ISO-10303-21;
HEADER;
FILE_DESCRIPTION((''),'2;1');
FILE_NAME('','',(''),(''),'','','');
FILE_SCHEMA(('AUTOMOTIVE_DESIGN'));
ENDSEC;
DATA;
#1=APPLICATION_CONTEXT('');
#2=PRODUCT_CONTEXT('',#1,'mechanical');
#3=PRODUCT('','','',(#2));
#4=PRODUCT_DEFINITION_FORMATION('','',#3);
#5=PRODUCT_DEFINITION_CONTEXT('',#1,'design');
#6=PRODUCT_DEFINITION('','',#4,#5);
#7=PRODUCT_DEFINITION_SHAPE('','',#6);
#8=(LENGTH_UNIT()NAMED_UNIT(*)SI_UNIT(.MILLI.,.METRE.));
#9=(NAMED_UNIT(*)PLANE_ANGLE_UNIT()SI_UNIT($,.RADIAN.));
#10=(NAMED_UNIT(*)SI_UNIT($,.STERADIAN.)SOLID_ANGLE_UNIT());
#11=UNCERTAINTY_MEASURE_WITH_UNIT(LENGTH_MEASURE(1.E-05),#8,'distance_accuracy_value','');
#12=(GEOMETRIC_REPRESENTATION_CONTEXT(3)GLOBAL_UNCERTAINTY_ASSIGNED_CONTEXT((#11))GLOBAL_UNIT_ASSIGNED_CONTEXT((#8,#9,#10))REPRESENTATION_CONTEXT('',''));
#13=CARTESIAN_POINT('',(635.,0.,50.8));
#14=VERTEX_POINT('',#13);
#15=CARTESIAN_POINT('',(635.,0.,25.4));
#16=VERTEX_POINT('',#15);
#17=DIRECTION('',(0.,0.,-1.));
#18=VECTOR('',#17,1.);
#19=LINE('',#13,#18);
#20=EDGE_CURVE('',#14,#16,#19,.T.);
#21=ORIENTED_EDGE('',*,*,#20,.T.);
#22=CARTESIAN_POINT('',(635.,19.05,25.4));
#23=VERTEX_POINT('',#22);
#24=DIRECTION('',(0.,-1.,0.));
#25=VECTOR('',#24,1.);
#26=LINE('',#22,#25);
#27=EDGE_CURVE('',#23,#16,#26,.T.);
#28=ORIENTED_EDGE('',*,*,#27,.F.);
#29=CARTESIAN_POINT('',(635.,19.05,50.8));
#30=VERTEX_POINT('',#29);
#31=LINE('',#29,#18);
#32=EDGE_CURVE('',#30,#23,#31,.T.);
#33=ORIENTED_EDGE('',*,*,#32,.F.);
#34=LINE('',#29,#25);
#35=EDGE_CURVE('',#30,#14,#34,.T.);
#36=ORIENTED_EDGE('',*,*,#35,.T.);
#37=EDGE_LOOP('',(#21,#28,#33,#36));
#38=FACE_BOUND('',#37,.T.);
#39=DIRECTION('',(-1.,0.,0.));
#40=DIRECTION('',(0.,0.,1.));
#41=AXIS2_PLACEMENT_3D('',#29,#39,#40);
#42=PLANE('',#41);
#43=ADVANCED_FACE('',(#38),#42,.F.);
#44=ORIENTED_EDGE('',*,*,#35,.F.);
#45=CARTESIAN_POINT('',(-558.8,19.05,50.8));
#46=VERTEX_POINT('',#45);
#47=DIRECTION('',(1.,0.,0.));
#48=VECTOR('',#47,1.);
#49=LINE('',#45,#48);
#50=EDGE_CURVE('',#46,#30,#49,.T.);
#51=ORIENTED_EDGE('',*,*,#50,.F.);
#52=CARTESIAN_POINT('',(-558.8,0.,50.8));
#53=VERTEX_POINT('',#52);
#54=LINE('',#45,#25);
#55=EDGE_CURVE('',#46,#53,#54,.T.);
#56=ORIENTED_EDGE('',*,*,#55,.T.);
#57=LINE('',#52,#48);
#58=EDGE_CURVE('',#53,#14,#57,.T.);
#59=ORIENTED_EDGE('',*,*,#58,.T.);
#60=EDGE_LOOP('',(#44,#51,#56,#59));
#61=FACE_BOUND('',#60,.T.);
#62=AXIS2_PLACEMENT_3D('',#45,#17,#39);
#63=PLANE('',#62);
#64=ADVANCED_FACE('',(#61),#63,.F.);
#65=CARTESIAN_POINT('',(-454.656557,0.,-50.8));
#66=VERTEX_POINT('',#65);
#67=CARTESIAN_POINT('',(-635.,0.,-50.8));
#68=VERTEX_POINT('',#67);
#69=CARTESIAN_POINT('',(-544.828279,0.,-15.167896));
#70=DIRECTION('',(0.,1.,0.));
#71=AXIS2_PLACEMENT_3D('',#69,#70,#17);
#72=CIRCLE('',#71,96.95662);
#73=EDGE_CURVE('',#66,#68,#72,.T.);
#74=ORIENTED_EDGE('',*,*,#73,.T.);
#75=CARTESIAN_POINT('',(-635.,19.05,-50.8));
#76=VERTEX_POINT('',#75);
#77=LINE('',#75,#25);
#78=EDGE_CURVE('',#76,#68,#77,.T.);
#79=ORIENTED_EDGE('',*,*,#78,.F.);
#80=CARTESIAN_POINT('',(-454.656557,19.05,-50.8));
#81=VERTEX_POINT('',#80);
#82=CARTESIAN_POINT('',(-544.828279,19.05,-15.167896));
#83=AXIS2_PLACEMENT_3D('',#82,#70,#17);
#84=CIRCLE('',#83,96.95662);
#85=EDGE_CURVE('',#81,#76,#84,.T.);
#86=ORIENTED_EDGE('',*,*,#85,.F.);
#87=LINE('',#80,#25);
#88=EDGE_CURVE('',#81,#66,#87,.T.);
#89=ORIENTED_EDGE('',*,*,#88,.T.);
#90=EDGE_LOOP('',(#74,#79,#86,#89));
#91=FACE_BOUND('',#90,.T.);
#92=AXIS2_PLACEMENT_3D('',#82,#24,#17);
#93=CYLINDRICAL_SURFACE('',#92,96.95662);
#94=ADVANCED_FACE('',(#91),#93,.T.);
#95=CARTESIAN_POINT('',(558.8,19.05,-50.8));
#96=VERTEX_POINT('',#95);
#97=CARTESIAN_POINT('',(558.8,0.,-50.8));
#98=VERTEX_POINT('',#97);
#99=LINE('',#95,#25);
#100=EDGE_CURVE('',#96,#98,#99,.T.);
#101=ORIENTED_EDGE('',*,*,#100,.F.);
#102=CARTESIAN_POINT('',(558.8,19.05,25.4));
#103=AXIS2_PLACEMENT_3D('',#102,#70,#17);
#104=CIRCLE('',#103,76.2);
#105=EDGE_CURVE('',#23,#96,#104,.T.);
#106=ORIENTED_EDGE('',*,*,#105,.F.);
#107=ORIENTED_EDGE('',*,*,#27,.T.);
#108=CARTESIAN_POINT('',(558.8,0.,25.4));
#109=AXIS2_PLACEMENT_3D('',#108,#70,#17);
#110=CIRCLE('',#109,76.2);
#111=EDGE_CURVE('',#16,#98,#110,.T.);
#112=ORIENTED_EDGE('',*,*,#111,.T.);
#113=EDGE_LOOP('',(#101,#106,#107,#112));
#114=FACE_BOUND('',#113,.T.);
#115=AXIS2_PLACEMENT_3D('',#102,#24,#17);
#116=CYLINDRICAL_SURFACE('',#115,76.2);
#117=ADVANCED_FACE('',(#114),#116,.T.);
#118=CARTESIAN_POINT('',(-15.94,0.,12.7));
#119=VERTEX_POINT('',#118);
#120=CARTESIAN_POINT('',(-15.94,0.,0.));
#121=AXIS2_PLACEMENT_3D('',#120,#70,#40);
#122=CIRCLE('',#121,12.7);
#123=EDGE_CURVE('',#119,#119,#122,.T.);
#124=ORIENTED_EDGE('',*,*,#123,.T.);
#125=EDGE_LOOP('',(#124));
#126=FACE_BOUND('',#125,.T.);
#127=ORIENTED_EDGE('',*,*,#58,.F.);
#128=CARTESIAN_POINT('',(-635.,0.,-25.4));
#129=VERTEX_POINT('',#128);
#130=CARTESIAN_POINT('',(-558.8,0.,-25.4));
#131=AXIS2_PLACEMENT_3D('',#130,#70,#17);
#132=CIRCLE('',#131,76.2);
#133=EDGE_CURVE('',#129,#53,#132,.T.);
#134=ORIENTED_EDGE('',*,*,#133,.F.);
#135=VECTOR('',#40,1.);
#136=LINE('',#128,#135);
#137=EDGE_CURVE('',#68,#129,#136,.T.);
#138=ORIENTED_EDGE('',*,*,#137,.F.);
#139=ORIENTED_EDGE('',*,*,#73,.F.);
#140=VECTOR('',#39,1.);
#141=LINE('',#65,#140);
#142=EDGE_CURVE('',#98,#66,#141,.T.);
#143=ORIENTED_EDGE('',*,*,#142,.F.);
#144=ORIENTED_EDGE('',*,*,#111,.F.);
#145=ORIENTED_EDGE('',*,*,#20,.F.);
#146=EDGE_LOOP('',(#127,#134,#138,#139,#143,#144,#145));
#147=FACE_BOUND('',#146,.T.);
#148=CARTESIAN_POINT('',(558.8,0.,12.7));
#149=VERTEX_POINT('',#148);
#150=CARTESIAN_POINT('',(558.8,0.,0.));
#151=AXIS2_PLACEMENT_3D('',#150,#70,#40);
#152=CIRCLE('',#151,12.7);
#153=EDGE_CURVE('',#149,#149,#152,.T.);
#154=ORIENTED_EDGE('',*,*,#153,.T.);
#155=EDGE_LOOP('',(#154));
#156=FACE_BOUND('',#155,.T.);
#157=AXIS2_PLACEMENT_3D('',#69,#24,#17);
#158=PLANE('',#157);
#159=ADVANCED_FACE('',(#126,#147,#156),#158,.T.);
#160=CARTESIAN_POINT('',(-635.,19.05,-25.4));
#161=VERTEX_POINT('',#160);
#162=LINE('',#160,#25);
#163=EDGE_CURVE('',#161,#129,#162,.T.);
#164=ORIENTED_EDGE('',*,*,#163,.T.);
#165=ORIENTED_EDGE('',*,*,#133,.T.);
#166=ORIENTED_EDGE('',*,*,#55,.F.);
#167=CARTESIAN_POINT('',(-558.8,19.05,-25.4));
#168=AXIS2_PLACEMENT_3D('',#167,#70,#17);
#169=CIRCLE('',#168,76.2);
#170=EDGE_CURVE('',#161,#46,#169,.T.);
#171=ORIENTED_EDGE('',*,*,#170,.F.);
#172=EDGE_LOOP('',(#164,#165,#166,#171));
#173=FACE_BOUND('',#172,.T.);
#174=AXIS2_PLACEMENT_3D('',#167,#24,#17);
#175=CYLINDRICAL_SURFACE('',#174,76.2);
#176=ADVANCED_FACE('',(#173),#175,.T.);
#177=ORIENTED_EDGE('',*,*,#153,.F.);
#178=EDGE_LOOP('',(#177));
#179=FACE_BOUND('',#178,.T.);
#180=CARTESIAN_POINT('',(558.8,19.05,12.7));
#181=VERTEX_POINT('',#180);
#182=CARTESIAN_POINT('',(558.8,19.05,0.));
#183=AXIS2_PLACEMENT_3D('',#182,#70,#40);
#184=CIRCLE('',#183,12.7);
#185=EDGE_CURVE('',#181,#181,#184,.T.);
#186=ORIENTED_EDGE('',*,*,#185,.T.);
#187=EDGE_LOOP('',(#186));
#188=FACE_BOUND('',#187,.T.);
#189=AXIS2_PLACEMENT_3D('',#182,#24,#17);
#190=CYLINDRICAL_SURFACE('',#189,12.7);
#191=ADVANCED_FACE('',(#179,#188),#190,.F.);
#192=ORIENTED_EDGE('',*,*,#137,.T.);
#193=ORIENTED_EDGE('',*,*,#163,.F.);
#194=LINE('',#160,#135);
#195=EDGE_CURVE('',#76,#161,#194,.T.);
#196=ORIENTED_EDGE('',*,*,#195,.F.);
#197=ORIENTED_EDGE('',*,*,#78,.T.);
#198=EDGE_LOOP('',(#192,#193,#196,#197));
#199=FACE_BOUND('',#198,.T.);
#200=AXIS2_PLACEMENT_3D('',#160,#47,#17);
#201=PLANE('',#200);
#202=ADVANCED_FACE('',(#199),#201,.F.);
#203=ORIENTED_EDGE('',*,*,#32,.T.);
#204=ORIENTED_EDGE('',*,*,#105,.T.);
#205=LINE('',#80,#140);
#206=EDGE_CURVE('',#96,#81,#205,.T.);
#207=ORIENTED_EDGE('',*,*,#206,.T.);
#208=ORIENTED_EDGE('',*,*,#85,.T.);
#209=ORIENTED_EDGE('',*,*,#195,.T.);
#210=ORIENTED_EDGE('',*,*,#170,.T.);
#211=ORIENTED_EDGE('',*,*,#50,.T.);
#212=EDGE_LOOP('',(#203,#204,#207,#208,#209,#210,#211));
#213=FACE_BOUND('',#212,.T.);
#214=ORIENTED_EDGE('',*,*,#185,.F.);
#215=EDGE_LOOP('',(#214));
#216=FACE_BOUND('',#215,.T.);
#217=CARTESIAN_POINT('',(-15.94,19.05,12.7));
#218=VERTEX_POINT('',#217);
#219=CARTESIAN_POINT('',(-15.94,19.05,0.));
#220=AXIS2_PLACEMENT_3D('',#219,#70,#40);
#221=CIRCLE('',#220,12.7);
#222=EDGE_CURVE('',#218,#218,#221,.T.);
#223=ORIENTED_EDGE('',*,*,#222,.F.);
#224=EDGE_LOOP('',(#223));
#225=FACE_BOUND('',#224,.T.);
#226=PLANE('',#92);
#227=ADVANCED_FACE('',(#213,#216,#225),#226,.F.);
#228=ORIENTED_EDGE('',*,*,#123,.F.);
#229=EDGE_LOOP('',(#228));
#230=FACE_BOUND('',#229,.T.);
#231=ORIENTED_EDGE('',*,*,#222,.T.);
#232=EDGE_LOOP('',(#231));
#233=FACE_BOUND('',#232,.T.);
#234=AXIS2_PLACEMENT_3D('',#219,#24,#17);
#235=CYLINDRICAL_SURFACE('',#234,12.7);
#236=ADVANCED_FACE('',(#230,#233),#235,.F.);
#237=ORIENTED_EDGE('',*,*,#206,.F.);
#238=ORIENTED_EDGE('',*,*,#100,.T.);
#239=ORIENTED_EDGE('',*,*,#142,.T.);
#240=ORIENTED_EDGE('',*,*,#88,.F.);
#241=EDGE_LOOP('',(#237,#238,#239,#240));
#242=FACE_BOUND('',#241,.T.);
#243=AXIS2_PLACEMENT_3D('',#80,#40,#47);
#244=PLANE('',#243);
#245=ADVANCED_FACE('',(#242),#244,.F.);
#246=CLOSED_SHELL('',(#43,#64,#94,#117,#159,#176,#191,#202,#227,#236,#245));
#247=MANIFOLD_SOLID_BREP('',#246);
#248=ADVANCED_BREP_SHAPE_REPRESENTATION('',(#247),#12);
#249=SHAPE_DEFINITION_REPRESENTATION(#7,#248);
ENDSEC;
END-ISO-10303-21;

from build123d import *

# Parameters (mm, degrees)
SKETCH1_R           = 12.7
BOSS_EXTRUDE1_DEPTH = 19.05


with BuildPart() as part:
    # Sketch1 → Boss-Extrude1 (new body)
    with BuildSketch(Plane(origin=(0, 0, 0), x_dir=(1, 0, 0), z_dir=(0, 1, 0))):
        with BuildLine():
            Line((-558.8, -50.8), (635, -50.8))
            Line((635, -50.8), (635, -25.4))
            ThreePointArc((635, -25.4), (612.681536726, 28.481536726), (558.8, 50.8))
            Line((558.8, 50.8), (-454.65655736, 50.8))
            ThreePointArc((-454.65655736, 50.8), (-544.82827868, 112.124515873), (-635, 50.8))
            Line((-635, 50.8), (-635, 25.4))
            ThreePointArc((-635, 25.4), (-612.681536726, -28.481536726), (-558.8, -50.8))
        make_face()
        with Locations((-15.94, 0)):
            Circle(SKETCH1_R, mode=Mode.SUBTRACT)
        with Locations((558.8, 0)):
            Circle(SKETCH1_R, mode=Mode.SUBTRACT)
    extrude(amount=BOSS_EXTRUDE1_DEPTH)


solid = part.part
